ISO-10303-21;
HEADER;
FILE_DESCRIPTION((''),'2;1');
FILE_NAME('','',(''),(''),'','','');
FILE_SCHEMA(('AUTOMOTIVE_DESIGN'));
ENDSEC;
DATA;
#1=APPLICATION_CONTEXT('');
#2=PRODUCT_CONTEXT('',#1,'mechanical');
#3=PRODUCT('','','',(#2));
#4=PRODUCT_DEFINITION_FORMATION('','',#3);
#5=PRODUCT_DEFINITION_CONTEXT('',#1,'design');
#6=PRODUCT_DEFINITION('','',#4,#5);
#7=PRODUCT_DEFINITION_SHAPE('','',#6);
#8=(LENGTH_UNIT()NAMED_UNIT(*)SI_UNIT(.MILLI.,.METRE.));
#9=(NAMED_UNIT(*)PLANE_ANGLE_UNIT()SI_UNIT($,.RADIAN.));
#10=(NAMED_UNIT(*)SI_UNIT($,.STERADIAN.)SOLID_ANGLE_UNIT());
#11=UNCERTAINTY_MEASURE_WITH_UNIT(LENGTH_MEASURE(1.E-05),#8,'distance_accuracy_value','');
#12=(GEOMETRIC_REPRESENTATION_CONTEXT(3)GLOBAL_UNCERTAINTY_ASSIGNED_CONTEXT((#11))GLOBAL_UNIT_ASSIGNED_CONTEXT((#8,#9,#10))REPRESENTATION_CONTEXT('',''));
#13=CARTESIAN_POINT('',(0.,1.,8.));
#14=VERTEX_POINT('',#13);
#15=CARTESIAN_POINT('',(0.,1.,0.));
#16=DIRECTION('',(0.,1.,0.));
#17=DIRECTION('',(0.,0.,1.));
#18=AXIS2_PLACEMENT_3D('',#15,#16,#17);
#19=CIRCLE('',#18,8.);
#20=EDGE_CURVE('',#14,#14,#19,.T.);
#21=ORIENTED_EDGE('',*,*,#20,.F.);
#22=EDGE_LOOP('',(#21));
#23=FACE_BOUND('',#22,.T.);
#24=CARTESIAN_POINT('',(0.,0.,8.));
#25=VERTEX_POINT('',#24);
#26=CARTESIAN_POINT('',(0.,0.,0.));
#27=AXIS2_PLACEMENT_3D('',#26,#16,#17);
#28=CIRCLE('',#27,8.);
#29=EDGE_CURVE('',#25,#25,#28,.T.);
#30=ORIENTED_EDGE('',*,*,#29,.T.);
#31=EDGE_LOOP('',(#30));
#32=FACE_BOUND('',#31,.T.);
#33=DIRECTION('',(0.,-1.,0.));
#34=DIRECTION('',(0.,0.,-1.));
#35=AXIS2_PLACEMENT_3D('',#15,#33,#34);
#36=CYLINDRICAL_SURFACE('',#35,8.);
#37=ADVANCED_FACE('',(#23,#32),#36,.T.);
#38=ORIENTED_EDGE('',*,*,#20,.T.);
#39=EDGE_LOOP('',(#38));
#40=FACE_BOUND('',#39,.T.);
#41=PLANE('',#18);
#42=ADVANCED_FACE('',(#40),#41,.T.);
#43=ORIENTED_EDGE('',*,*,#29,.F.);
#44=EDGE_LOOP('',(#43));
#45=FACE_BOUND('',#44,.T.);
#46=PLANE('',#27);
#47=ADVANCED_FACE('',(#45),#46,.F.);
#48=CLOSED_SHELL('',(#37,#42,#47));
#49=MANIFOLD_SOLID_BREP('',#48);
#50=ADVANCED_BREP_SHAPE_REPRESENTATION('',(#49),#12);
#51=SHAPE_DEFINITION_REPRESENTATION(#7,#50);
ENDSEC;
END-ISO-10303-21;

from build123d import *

# Parameters (mm, degrees)
SKETCH_1_R        = 8
EXTRUDE_220_DEPTH = 1


with BuildPart() as part:
    # Эскиз1 → Extrude 220 (new body)
    with BuildSketch(Plane(origin=(0, 0, 0), x_dir=(1, 0, 0), z_dir=(0, 1, 0))):
        with Locations(Location((0, 0, 0), (0, 0, 270))):
            Circle(SKETCH_1_R)
    extrude(amount=EXTRUDE_220_DEPTH)


solid = part.part
